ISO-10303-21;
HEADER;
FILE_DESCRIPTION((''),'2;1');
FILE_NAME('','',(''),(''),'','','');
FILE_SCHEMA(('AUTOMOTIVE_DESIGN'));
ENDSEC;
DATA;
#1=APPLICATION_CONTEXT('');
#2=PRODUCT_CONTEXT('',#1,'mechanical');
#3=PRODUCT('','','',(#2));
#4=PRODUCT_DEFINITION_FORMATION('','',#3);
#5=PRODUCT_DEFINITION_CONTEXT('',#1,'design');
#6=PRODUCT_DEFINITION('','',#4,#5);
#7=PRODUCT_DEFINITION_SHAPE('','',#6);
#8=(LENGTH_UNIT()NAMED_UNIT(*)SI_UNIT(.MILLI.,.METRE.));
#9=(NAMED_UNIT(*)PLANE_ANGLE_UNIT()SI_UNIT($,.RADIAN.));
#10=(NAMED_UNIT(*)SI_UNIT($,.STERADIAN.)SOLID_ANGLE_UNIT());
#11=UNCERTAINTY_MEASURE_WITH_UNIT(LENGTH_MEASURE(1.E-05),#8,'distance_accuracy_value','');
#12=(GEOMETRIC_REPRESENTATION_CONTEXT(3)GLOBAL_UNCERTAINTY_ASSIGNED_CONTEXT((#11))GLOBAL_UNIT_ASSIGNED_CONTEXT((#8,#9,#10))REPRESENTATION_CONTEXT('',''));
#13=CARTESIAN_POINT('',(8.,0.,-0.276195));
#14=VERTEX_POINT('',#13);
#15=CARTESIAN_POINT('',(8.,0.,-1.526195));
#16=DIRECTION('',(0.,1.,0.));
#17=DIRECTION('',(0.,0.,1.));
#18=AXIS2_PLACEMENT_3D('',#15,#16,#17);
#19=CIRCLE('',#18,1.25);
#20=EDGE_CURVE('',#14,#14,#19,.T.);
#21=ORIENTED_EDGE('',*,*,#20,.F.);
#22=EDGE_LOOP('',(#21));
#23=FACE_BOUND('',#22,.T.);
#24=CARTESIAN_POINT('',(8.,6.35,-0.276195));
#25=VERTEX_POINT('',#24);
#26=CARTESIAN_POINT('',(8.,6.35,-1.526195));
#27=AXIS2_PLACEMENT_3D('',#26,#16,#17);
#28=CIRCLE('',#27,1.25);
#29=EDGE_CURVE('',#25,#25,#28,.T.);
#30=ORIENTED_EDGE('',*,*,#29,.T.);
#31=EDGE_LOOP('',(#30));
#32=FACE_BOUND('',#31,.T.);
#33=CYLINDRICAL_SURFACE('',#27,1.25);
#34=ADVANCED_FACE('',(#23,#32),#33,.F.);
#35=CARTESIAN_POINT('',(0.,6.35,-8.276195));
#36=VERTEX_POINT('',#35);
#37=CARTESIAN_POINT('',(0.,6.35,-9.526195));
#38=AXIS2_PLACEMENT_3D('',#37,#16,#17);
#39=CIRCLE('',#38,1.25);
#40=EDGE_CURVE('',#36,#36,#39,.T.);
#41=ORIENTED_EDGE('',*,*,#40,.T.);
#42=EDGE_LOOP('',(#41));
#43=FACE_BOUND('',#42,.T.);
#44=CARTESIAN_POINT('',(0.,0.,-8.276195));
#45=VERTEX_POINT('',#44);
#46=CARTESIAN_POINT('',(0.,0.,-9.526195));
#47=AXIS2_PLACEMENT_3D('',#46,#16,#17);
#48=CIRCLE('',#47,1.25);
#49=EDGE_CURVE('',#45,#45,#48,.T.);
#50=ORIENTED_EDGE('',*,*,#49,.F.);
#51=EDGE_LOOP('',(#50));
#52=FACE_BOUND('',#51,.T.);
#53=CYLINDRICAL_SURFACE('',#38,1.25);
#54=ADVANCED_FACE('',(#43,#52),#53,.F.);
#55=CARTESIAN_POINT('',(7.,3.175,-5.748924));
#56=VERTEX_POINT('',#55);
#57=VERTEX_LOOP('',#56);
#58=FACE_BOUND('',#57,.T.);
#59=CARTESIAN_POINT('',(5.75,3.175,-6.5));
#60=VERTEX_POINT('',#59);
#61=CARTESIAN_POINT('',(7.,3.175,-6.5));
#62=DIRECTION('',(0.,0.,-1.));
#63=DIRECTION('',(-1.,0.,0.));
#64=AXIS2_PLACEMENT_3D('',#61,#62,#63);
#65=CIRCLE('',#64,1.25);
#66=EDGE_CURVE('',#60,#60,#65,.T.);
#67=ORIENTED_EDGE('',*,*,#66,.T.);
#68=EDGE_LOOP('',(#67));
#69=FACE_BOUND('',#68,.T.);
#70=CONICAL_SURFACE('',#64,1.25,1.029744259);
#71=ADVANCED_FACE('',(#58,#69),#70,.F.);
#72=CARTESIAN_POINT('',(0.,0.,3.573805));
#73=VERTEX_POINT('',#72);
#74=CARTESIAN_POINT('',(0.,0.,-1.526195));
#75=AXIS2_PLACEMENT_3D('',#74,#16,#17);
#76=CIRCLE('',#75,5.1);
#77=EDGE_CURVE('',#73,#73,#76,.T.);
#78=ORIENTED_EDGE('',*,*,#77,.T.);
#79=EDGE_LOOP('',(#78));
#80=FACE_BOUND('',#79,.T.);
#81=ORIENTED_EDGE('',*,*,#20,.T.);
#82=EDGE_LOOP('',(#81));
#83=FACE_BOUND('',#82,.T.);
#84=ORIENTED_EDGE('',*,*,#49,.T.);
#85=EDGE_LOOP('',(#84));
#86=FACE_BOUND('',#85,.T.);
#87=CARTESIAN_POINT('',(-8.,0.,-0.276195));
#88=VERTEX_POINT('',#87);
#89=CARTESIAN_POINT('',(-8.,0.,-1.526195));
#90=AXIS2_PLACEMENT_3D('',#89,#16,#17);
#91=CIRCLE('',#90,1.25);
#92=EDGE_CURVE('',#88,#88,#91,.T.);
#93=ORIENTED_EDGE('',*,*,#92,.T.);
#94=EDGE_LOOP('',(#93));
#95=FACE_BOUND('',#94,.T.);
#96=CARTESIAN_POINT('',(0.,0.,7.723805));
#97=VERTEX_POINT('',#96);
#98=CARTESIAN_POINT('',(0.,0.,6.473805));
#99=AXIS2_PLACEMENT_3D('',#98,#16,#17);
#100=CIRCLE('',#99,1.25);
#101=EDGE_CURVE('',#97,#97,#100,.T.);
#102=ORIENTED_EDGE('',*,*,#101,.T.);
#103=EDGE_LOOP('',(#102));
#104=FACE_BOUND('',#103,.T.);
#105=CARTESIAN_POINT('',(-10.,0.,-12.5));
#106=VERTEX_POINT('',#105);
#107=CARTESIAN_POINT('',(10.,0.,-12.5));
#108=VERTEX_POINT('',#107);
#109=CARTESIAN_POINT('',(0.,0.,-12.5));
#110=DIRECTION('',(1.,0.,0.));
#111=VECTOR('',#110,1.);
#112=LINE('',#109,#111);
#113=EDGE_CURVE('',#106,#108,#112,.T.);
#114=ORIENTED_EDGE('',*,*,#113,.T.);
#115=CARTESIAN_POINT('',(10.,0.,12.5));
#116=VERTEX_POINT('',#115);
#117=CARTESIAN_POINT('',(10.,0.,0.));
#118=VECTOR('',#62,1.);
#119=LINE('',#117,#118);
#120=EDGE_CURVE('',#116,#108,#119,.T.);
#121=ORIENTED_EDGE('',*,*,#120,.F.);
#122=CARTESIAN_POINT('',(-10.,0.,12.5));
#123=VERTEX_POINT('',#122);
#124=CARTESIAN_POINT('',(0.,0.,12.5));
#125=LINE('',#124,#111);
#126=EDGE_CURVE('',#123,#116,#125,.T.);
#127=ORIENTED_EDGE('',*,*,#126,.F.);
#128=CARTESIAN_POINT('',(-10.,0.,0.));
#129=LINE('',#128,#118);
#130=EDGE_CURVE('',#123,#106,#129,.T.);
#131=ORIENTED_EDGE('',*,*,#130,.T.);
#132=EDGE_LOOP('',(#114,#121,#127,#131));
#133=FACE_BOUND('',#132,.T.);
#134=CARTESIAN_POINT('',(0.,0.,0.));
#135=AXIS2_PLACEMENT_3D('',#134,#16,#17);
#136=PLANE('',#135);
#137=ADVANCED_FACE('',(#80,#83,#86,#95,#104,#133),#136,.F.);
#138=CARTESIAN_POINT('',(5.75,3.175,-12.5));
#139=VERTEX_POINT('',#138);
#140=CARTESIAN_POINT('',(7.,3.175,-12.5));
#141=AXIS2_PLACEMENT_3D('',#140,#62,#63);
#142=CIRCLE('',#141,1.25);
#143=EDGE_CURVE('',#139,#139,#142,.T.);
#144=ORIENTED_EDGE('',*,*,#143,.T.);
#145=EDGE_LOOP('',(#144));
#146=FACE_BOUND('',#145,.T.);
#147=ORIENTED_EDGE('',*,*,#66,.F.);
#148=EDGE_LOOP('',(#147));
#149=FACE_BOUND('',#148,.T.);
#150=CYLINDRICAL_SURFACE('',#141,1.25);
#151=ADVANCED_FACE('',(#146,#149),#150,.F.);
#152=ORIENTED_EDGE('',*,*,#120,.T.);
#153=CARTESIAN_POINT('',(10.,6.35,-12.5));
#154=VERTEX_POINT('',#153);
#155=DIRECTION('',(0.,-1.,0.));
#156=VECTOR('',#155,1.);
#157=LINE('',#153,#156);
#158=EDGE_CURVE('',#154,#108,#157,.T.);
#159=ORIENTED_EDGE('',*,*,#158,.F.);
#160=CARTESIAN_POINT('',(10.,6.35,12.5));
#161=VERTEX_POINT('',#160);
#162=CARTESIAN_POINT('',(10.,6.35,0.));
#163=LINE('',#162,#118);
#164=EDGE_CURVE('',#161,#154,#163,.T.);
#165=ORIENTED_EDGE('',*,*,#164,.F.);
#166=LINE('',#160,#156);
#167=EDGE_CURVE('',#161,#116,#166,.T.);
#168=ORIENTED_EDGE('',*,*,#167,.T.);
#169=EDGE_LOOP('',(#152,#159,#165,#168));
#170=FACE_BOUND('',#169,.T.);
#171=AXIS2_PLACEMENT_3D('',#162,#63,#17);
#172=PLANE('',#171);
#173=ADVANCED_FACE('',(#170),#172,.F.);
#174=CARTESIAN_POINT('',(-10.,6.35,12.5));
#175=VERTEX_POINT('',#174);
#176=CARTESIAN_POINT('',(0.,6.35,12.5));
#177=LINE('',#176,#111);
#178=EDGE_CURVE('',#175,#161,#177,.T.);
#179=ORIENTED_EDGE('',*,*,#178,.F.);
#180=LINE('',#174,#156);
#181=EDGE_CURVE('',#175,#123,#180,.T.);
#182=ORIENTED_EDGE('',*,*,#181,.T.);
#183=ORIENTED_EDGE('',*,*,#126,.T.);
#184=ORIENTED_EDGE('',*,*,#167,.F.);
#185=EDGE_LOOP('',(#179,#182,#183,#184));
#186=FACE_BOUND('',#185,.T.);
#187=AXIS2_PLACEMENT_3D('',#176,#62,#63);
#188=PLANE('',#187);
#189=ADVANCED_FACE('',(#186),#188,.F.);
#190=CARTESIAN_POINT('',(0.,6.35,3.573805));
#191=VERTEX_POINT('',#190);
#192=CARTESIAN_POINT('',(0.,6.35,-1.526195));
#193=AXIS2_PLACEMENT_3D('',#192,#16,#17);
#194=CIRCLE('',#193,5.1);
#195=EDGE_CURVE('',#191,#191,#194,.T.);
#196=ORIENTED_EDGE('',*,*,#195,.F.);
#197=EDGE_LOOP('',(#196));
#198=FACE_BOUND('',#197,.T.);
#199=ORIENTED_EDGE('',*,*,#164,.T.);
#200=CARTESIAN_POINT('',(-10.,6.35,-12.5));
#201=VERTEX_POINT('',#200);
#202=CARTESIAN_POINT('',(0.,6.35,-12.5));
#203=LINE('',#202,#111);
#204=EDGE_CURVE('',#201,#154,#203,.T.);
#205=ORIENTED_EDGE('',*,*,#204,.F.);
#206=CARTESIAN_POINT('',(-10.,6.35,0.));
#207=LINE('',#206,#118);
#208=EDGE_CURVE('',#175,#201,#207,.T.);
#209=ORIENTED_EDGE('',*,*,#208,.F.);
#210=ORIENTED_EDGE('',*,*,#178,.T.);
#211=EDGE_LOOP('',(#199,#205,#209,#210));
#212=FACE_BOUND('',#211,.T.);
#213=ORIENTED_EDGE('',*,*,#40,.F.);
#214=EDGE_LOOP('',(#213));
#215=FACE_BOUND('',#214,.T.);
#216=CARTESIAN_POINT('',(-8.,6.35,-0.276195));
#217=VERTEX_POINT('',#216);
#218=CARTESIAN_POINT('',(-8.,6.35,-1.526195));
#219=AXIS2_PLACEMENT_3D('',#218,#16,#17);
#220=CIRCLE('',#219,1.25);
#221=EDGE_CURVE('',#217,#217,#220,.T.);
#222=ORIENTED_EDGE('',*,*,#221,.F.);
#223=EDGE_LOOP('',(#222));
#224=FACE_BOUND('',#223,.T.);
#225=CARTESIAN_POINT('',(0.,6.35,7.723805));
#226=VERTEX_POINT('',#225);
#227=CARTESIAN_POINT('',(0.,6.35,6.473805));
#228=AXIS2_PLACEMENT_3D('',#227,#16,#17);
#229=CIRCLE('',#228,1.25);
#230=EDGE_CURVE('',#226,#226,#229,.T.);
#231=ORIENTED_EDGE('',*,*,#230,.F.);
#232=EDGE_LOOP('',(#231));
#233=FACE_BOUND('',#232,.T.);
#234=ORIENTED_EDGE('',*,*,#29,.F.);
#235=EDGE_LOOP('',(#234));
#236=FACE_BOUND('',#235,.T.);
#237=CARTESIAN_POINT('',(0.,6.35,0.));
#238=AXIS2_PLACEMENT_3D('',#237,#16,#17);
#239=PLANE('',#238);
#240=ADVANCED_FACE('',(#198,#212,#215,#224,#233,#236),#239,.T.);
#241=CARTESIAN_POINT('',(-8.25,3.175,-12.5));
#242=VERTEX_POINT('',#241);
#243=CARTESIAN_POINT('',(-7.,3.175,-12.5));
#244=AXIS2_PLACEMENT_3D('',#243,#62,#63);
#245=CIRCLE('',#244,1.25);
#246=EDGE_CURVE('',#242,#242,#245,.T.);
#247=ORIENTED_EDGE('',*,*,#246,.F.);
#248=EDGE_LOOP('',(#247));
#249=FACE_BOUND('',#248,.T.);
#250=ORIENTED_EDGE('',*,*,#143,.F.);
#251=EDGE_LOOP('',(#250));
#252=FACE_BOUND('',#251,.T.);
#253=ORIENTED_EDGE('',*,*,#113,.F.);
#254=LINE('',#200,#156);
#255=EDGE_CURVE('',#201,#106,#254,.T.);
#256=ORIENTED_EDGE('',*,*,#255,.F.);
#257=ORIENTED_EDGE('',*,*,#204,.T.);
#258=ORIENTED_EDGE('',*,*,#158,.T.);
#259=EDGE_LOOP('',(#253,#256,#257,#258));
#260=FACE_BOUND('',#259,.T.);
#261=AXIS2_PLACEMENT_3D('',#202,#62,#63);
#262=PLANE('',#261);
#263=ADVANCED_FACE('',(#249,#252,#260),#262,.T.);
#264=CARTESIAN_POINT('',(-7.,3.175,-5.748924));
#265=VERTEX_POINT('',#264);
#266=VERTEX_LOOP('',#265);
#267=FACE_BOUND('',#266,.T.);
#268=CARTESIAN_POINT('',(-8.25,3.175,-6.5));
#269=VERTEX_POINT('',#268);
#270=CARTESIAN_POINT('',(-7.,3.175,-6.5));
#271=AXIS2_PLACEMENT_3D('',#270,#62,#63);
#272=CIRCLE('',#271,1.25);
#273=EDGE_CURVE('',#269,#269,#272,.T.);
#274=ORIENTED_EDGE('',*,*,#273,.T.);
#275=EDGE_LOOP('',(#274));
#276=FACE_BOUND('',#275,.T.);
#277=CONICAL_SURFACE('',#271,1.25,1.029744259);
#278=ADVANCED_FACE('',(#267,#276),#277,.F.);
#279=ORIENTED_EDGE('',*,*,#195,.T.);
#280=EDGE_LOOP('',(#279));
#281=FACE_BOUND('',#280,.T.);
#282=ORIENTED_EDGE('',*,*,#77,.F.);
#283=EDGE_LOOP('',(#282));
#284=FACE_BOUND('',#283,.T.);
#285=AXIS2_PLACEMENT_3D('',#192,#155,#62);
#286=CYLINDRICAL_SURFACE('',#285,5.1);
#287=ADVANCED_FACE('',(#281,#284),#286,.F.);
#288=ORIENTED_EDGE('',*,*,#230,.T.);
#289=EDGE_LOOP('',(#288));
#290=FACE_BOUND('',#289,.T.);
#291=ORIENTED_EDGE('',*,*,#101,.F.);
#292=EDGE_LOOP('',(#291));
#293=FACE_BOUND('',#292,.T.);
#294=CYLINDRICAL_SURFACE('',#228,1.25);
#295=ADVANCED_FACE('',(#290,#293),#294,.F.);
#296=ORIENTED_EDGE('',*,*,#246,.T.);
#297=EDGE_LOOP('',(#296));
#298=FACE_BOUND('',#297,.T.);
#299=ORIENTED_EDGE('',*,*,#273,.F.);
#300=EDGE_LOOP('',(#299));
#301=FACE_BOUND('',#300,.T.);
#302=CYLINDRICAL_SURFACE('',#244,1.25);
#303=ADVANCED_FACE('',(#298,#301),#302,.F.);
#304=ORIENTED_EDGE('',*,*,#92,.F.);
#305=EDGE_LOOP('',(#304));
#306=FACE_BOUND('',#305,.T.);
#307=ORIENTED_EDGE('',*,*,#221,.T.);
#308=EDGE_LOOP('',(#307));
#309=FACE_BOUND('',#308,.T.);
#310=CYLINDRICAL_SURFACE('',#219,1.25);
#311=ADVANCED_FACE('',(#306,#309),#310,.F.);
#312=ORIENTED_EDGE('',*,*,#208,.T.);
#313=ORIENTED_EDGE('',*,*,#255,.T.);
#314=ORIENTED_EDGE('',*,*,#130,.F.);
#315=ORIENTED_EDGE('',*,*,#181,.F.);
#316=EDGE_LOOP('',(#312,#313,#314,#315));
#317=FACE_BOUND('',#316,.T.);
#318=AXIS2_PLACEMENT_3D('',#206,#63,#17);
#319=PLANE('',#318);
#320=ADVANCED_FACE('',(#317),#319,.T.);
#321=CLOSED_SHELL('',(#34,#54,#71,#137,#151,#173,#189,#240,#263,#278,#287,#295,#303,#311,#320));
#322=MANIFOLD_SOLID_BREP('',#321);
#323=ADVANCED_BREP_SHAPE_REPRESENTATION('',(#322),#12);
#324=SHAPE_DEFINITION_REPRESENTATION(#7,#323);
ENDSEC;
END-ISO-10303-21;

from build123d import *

# Parameters (mm, degrees)
SKETCH1_W                       = 20
SKETCH1_H                       = 25
SKETCH1_R                       = 5.1
BOSS_EXTRUDE1_DEPTH             = 6.35
TAP_DRILL_FOR_M3X0_5_TAP1_D     = 2.5
TAP_DRILL_FOR_M3X0_5_TAP3_D     = 2.5
TAP_DRILL_FOR_M3X0_5_TAP3_DEPTH = 6
TAP_DRILL_FOR_M3X0_5_TAP3_TIP   = 0.751075774


with BuildPart() as part:
    # Sketch1 → Boss-Extrude1 (new body)
    with BuildSketch(Plane(origin=(0, 0, 0), x_dir=(1, 0, 0), z_dir=(0, 1, 0))):
        Rectangle(SKETCH1_W, SKETCH1_H)
        with Locations(Location((0, 1.5261946, 0), (0, 0, 270))):
            Circle(SKETCH1_R, mode=Mode.SUBTRACT)
    extrude(amount=BOSS_EXTRUDE1_DEPTH)

    # Tap Drill for M3x0.5 Tap1 (through all)
    with Locations(Plane(origin=(0, 6.35, 0), x_dir=(1, 0, 0), z_dir=(0, 1, 0))):
        with Locations((-8, 1.5261946), (0, 9.5261946), (8, 1.5261946), (0, -6.4738054)):
            Hole(TAP_DRILL_FOR_M3X0_5_TAP1_D / 2)

    # Tap Drill for M3x0.5 Tap3
    with Locations(Plane(origin=(0, 0, -12.5), x_dir=(-1, 0, 0), z_dir=(0, 0, -1))):
        with Locations((-7, 3.175), (7, 3.175)):
            Hole(TAP_DRILL_FOR_M3X0_5_TAP3_D / 2, depth=TAP_DRILL_FOR_M3X0_5_TAP3_DEPTH)
            with Locations((0, 0, -(TAP_DRILL_FOR_M3X0_5_TAP3_DEPTH + TAP_DRILL_FOR_M3X0_5_TAP3_TIP / 2))):  # 118° drill point
                Cone(0, TAP_DRILL_FOR_M3X0_5_TAP3_D / 2, TAP_DRILL_FOR_M3X0_5_TAP3_TIP, mode=Mode.SUBTRACT)


solid = part.part
